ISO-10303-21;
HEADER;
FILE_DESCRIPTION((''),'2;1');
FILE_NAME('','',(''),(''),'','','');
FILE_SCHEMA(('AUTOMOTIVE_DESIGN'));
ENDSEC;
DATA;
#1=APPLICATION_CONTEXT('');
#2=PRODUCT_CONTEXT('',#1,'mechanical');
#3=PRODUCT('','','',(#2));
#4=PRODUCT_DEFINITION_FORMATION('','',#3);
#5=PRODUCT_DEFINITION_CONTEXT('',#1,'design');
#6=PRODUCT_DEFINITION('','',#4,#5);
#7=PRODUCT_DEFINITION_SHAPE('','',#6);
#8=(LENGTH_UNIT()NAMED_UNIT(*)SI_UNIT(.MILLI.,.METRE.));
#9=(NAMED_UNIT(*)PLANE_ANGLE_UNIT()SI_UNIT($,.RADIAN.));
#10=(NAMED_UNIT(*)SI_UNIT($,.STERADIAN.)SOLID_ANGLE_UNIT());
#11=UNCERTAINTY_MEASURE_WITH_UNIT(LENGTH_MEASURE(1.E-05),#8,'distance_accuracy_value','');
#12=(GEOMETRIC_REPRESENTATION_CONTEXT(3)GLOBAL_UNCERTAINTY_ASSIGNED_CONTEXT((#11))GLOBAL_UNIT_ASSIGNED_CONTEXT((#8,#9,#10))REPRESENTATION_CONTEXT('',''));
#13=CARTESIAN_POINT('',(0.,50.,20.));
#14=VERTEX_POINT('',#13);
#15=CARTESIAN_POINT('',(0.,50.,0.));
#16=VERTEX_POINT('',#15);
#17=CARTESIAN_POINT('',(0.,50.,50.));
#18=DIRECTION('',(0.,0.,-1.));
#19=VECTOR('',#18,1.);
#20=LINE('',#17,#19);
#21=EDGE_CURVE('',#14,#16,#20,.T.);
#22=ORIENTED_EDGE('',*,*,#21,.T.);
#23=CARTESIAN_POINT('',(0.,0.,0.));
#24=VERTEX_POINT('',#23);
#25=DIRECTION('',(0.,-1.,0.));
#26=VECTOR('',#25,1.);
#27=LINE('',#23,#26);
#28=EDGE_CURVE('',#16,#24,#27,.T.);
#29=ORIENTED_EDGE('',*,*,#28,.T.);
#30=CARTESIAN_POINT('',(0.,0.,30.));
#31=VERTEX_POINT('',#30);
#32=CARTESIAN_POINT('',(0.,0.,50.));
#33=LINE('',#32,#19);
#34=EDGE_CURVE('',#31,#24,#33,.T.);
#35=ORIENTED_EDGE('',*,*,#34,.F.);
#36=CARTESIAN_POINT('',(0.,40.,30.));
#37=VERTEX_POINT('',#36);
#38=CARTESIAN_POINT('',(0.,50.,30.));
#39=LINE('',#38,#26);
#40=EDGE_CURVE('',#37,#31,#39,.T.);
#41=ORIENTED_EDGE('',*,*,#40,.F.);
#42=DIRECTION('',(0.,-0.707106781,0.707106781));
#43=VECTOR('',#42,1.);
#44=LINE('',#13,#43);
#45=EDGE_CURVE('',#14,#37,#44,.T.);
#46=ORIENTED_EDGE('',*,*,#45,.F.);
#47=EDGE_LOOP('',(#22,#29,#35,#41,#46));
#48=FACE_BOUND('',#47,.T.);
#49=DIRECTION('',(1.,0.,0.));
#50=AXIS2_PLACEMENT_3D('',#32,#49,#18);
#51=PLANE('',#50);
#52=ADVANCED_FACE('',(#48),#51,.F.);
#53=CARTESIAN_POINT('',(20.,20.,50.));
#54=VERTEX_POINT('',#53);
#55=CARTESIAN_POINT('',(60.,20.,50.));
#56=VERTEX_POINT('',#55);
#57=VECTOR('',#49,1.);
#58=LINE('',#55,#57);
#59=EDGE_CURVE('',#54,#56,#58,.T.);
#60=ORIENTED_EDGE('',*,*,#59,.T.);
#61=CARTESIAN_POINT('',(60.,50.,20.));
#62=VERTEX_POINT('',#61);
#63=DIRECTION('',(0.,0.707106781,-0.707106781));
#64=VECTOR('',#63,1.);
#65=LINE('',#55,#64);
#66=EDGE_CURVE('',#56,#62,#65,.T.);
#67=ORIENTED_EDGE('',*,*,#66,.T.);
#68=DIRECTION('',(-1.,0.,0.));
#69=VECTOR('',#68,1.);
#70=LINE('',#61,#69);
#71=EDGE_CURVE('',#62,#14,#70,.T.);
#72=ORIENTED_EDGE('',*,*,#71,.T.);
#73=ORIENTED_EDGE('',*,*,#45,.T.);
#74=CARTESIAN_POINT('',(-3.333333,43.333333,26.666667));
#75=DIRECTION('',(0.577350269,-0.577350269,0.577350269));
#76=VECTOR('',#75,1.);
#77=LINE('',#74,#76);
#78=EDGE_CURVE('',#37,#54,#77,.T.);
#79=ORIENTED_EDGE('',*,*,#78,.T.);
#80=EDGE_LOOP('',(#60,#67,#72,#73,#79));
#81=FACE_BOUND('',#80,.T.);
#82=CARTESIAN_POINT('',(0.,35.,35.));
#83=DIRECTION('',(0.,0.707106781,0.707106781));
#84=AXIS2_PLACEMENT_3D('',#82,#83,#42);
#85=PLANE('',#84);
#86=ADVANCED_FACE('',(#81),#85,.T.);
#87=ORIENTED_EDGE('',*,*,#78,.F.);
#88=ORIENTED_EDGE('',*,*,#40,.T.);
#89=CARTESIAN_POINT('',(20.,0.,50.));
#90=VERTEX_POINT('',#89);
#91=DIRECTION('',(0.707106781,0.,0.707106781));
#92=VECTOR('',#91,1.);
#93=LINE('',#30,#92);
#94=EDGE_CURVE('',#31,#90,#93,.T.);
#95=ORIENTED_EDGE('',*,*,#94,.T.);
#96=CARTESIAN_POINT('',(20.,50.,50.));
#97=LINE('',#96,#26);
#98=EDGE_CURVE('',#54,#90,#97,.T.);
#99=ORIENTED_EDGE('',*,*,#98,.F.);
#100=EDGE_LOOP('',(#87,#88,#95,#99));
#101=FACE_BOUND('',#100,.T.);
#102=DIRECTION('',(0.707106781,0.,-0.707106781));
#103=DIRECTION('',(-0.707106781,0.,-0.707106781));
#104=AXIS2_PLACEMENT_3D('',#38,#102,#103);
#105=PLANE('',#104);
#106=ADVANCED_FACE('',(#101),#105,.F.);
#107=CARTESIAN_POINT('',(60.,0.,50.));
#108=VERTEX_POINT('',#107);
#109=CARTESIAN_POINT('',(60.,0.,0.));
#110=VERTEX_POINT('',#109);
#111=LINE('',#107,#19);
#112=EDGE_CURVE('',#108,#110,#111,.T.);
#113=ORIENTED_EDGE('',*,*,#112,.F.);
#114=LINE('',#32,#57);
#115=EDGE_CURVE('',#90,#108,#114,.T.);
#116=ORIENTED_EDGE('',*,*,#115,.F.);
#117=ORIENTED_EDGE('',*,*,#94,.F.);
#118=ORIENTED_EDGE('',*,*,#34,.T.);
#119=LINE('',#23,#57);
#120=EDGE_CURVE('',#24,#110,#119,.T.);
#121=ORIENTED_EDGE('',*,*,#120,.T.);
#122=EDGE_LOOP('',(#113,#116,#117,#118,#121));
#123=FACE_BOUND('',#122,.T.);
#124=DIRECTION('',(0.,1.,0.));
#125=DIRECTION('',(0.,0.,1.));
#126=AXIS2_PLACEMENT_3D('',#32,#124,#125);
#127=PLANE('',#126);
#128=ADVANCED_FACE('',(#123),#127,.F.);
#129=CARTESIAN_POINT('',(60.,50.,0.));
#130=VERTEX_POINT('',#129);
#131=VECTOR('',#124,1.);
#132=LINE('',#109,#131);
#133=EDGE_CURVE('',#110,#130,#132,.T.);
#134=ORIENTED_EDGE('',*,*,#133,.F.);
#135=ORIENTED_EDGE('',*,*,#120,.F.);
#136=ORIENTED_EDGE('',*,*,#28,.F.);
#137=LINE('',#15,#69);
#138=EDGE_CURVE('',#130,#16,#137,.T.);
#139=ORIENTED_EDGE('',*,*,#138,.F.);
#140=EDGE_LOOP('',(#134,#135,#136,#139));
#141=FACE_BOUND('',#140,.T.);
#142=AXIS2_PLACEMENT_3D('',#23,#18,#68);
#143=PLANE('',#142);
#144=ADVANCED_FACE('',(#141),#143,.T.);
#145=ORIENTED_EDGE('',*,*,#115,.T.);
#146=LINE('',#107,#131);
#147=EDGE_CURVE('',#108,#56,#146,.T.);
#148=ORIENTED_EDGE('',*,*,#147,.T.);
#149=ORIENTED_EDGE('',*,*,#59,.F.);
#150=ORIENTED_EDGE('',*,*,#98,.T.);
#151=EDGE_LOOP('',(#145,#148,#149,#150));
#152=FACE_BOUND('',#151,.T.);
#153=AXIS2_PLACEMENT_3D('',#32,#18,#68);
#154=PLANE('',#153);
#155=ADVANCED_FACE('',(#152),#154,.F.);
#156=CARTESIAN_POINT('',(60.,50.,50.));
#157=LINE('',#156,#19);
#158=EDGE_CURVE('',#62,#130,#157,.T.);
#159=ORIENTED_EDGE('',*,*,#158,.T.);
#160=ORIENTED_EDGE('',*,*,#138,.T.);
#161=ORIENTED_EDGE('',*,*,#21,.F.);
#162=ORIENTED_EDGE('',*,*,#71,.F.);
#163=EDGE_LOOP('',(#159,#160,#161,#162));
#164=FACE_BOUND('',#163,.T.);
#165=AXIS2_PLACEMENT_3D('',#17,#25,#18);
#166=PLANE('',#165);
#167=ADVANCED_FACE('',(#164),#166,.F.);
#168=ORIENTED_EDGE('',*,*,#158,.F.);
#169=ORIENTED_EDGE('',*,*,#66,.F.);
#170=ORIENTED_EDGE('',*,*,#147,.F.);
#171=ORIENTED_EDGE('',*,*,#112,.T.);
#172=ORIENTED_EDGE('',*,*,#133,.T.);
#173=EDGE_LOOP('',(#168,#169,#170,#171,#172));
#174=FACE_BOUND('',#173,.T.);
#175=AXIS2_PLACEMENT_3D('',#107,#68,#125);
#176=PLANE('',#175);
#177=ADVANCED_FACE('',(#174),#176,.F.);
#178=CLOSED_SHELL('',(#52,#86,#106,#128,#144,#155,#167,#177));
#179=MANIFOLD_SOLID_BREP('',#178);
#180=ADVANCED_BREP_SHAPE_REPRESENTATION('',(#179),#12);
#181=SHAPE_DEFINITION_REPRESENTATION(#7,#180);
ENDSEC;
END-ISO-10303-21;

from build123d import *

# Parameters (mm, degrees)
SKETCH1_W           = 60
SKETCH1_H           = 50
BOSS_EXTRUDE1_DEPTH = 50
CUT_EXTRUDE1_DEPTH  = 50
SKETCH3_W           = 60
SKETCH3_H           = 30
CUT_EXTRUDE2_DEPTH  = 30
BOSS_EXTRUDE2_DEPTH = 30
SKETCH9_W           = 60
SKETCH9_H           = 50
CUT_EXTRUDE3_DEPTH  = 10
SKETCH10_W          = 60
SKETCH10_H          = 30
CUT_EXTRUDE4_DEPTH  = 10
BOSS_EXTRUDE7_DEPTH = 30
CUT_EXTRUDE10_DEPTH = 30
SKETCH20_W          = 60
SKETCH20_H          = 42.426406872
CUT_EXTRUDE11_DEPTH = 30


with BuildPart() as part:
    # Sketch1 → Boss-Extrude1 (new body)
    with BuildSketch(Plane.XY):
        with Locations((30, 25)):
            Rectangle(SKETCH1_W, SKETCH1_H)
    extrude(amount=BOSS_EXTRUDE1_DEPTH)

    # Sketch2 → Cut-Extrude1 (cut)
    with BuildSketch(Plane.XZ):
        Polygon((0, 30), (20, 50), (0, 50), align=None)
    extrude(amount=-CUT_EXTRUDE1_DEPTH, mode=Mode.SUBTRACT)

    # Sketch3 → Cut-Extrude2 (cut)
    with BuildSketch(Plane.XY.offset(50)):
        with Locations((30, 35)):
            Rectangle(SKETCH3_W, SKETCH3_H)
    extrude(amount=-CUT_EXTRUDE2_DEPTH, mode=Mode.SUBTRACT)

    # Sketch4 → Boss-Extrude2 (add)
    with BuildSketch(Plane(origin=(0, 35, 35), x_dir=(1, 0, 0), z_dir=(0, 0.707106781, 0.707106781))):
        Polygon((60, -21.213203436), (60, 21.213203436), (0, 21.213203436), (20, -21.213203436), align=None)
    extrude(amount=-BOSS_EXTRUDE2_DEPTH)

    # Sketch9 → Cut-Extrude3 (cut)
    with BuildSketch(Plane(origin=(0, 0, 0), x_dir=(-1, 0, 0), z_dir=(0, 0, -1))):
        with Locations((-30, 25)):
            Rectangle(SKETCH9_W, SKETCH9_H)
    extrude(amount=CUT_EXTRUDE3_DEPTH, mode=Mode.SUBTRACT)

    # Sketch10 → Cut-Extrude4 (cut)
    with BuildSketch(Plane.XZ):
        with Locations((30, 15)):
            Rectangle(SKETCH10_W, SKETCH10_H)
    extrude(amount=CUT_EXTRUDE4_DEPTH, mode=Mode.SUBTRACT)

    # Sketch18 → Boss-Extrude7 (add)
    with BuildSketch(Plane(origin=(0, 20, 0), x_dir=(1, 0, 0), z_dir=(0, 1, 0))):
        Polygon((10, -20), (0, -20), (0, -30), (20, -50), align=None)
    extrude(amount=BOSS_EXTRUDE7_DEPTH)

    # Sketch19 → Cut-Extrude10 (cut)
    with BuildSketch(Plane(origin=(3, 0, -1), x_dir=(-0.316227766, 0, -0.948683298), z_dir=(0.948683298, 0, -0.316227766))):
        Polygon((-22.135943621, 50), (-53.758720223, 20), (-53.758720223, 50), align=None)
    extrude(amount=-CUT_EXTRUDE10_DEPTH, mode=Mode.SUBTRACT)

    # Sketch20 → Cut-Extrude11 (cut)
    with BuildSketch(Plane(origin=(0, 35, 35), x_dir=(1, 0, 0), z_dir=(0, 0.707106781, 0.707106781))):
        with Locations((30, 0)):
            Rectangle(SKETCH20_W, SKETCH20_H)
    extrude(amount=CUT_EXTRUDE11_DEPTH, mode=Mode.SUBTRACT)


solid = part.part
